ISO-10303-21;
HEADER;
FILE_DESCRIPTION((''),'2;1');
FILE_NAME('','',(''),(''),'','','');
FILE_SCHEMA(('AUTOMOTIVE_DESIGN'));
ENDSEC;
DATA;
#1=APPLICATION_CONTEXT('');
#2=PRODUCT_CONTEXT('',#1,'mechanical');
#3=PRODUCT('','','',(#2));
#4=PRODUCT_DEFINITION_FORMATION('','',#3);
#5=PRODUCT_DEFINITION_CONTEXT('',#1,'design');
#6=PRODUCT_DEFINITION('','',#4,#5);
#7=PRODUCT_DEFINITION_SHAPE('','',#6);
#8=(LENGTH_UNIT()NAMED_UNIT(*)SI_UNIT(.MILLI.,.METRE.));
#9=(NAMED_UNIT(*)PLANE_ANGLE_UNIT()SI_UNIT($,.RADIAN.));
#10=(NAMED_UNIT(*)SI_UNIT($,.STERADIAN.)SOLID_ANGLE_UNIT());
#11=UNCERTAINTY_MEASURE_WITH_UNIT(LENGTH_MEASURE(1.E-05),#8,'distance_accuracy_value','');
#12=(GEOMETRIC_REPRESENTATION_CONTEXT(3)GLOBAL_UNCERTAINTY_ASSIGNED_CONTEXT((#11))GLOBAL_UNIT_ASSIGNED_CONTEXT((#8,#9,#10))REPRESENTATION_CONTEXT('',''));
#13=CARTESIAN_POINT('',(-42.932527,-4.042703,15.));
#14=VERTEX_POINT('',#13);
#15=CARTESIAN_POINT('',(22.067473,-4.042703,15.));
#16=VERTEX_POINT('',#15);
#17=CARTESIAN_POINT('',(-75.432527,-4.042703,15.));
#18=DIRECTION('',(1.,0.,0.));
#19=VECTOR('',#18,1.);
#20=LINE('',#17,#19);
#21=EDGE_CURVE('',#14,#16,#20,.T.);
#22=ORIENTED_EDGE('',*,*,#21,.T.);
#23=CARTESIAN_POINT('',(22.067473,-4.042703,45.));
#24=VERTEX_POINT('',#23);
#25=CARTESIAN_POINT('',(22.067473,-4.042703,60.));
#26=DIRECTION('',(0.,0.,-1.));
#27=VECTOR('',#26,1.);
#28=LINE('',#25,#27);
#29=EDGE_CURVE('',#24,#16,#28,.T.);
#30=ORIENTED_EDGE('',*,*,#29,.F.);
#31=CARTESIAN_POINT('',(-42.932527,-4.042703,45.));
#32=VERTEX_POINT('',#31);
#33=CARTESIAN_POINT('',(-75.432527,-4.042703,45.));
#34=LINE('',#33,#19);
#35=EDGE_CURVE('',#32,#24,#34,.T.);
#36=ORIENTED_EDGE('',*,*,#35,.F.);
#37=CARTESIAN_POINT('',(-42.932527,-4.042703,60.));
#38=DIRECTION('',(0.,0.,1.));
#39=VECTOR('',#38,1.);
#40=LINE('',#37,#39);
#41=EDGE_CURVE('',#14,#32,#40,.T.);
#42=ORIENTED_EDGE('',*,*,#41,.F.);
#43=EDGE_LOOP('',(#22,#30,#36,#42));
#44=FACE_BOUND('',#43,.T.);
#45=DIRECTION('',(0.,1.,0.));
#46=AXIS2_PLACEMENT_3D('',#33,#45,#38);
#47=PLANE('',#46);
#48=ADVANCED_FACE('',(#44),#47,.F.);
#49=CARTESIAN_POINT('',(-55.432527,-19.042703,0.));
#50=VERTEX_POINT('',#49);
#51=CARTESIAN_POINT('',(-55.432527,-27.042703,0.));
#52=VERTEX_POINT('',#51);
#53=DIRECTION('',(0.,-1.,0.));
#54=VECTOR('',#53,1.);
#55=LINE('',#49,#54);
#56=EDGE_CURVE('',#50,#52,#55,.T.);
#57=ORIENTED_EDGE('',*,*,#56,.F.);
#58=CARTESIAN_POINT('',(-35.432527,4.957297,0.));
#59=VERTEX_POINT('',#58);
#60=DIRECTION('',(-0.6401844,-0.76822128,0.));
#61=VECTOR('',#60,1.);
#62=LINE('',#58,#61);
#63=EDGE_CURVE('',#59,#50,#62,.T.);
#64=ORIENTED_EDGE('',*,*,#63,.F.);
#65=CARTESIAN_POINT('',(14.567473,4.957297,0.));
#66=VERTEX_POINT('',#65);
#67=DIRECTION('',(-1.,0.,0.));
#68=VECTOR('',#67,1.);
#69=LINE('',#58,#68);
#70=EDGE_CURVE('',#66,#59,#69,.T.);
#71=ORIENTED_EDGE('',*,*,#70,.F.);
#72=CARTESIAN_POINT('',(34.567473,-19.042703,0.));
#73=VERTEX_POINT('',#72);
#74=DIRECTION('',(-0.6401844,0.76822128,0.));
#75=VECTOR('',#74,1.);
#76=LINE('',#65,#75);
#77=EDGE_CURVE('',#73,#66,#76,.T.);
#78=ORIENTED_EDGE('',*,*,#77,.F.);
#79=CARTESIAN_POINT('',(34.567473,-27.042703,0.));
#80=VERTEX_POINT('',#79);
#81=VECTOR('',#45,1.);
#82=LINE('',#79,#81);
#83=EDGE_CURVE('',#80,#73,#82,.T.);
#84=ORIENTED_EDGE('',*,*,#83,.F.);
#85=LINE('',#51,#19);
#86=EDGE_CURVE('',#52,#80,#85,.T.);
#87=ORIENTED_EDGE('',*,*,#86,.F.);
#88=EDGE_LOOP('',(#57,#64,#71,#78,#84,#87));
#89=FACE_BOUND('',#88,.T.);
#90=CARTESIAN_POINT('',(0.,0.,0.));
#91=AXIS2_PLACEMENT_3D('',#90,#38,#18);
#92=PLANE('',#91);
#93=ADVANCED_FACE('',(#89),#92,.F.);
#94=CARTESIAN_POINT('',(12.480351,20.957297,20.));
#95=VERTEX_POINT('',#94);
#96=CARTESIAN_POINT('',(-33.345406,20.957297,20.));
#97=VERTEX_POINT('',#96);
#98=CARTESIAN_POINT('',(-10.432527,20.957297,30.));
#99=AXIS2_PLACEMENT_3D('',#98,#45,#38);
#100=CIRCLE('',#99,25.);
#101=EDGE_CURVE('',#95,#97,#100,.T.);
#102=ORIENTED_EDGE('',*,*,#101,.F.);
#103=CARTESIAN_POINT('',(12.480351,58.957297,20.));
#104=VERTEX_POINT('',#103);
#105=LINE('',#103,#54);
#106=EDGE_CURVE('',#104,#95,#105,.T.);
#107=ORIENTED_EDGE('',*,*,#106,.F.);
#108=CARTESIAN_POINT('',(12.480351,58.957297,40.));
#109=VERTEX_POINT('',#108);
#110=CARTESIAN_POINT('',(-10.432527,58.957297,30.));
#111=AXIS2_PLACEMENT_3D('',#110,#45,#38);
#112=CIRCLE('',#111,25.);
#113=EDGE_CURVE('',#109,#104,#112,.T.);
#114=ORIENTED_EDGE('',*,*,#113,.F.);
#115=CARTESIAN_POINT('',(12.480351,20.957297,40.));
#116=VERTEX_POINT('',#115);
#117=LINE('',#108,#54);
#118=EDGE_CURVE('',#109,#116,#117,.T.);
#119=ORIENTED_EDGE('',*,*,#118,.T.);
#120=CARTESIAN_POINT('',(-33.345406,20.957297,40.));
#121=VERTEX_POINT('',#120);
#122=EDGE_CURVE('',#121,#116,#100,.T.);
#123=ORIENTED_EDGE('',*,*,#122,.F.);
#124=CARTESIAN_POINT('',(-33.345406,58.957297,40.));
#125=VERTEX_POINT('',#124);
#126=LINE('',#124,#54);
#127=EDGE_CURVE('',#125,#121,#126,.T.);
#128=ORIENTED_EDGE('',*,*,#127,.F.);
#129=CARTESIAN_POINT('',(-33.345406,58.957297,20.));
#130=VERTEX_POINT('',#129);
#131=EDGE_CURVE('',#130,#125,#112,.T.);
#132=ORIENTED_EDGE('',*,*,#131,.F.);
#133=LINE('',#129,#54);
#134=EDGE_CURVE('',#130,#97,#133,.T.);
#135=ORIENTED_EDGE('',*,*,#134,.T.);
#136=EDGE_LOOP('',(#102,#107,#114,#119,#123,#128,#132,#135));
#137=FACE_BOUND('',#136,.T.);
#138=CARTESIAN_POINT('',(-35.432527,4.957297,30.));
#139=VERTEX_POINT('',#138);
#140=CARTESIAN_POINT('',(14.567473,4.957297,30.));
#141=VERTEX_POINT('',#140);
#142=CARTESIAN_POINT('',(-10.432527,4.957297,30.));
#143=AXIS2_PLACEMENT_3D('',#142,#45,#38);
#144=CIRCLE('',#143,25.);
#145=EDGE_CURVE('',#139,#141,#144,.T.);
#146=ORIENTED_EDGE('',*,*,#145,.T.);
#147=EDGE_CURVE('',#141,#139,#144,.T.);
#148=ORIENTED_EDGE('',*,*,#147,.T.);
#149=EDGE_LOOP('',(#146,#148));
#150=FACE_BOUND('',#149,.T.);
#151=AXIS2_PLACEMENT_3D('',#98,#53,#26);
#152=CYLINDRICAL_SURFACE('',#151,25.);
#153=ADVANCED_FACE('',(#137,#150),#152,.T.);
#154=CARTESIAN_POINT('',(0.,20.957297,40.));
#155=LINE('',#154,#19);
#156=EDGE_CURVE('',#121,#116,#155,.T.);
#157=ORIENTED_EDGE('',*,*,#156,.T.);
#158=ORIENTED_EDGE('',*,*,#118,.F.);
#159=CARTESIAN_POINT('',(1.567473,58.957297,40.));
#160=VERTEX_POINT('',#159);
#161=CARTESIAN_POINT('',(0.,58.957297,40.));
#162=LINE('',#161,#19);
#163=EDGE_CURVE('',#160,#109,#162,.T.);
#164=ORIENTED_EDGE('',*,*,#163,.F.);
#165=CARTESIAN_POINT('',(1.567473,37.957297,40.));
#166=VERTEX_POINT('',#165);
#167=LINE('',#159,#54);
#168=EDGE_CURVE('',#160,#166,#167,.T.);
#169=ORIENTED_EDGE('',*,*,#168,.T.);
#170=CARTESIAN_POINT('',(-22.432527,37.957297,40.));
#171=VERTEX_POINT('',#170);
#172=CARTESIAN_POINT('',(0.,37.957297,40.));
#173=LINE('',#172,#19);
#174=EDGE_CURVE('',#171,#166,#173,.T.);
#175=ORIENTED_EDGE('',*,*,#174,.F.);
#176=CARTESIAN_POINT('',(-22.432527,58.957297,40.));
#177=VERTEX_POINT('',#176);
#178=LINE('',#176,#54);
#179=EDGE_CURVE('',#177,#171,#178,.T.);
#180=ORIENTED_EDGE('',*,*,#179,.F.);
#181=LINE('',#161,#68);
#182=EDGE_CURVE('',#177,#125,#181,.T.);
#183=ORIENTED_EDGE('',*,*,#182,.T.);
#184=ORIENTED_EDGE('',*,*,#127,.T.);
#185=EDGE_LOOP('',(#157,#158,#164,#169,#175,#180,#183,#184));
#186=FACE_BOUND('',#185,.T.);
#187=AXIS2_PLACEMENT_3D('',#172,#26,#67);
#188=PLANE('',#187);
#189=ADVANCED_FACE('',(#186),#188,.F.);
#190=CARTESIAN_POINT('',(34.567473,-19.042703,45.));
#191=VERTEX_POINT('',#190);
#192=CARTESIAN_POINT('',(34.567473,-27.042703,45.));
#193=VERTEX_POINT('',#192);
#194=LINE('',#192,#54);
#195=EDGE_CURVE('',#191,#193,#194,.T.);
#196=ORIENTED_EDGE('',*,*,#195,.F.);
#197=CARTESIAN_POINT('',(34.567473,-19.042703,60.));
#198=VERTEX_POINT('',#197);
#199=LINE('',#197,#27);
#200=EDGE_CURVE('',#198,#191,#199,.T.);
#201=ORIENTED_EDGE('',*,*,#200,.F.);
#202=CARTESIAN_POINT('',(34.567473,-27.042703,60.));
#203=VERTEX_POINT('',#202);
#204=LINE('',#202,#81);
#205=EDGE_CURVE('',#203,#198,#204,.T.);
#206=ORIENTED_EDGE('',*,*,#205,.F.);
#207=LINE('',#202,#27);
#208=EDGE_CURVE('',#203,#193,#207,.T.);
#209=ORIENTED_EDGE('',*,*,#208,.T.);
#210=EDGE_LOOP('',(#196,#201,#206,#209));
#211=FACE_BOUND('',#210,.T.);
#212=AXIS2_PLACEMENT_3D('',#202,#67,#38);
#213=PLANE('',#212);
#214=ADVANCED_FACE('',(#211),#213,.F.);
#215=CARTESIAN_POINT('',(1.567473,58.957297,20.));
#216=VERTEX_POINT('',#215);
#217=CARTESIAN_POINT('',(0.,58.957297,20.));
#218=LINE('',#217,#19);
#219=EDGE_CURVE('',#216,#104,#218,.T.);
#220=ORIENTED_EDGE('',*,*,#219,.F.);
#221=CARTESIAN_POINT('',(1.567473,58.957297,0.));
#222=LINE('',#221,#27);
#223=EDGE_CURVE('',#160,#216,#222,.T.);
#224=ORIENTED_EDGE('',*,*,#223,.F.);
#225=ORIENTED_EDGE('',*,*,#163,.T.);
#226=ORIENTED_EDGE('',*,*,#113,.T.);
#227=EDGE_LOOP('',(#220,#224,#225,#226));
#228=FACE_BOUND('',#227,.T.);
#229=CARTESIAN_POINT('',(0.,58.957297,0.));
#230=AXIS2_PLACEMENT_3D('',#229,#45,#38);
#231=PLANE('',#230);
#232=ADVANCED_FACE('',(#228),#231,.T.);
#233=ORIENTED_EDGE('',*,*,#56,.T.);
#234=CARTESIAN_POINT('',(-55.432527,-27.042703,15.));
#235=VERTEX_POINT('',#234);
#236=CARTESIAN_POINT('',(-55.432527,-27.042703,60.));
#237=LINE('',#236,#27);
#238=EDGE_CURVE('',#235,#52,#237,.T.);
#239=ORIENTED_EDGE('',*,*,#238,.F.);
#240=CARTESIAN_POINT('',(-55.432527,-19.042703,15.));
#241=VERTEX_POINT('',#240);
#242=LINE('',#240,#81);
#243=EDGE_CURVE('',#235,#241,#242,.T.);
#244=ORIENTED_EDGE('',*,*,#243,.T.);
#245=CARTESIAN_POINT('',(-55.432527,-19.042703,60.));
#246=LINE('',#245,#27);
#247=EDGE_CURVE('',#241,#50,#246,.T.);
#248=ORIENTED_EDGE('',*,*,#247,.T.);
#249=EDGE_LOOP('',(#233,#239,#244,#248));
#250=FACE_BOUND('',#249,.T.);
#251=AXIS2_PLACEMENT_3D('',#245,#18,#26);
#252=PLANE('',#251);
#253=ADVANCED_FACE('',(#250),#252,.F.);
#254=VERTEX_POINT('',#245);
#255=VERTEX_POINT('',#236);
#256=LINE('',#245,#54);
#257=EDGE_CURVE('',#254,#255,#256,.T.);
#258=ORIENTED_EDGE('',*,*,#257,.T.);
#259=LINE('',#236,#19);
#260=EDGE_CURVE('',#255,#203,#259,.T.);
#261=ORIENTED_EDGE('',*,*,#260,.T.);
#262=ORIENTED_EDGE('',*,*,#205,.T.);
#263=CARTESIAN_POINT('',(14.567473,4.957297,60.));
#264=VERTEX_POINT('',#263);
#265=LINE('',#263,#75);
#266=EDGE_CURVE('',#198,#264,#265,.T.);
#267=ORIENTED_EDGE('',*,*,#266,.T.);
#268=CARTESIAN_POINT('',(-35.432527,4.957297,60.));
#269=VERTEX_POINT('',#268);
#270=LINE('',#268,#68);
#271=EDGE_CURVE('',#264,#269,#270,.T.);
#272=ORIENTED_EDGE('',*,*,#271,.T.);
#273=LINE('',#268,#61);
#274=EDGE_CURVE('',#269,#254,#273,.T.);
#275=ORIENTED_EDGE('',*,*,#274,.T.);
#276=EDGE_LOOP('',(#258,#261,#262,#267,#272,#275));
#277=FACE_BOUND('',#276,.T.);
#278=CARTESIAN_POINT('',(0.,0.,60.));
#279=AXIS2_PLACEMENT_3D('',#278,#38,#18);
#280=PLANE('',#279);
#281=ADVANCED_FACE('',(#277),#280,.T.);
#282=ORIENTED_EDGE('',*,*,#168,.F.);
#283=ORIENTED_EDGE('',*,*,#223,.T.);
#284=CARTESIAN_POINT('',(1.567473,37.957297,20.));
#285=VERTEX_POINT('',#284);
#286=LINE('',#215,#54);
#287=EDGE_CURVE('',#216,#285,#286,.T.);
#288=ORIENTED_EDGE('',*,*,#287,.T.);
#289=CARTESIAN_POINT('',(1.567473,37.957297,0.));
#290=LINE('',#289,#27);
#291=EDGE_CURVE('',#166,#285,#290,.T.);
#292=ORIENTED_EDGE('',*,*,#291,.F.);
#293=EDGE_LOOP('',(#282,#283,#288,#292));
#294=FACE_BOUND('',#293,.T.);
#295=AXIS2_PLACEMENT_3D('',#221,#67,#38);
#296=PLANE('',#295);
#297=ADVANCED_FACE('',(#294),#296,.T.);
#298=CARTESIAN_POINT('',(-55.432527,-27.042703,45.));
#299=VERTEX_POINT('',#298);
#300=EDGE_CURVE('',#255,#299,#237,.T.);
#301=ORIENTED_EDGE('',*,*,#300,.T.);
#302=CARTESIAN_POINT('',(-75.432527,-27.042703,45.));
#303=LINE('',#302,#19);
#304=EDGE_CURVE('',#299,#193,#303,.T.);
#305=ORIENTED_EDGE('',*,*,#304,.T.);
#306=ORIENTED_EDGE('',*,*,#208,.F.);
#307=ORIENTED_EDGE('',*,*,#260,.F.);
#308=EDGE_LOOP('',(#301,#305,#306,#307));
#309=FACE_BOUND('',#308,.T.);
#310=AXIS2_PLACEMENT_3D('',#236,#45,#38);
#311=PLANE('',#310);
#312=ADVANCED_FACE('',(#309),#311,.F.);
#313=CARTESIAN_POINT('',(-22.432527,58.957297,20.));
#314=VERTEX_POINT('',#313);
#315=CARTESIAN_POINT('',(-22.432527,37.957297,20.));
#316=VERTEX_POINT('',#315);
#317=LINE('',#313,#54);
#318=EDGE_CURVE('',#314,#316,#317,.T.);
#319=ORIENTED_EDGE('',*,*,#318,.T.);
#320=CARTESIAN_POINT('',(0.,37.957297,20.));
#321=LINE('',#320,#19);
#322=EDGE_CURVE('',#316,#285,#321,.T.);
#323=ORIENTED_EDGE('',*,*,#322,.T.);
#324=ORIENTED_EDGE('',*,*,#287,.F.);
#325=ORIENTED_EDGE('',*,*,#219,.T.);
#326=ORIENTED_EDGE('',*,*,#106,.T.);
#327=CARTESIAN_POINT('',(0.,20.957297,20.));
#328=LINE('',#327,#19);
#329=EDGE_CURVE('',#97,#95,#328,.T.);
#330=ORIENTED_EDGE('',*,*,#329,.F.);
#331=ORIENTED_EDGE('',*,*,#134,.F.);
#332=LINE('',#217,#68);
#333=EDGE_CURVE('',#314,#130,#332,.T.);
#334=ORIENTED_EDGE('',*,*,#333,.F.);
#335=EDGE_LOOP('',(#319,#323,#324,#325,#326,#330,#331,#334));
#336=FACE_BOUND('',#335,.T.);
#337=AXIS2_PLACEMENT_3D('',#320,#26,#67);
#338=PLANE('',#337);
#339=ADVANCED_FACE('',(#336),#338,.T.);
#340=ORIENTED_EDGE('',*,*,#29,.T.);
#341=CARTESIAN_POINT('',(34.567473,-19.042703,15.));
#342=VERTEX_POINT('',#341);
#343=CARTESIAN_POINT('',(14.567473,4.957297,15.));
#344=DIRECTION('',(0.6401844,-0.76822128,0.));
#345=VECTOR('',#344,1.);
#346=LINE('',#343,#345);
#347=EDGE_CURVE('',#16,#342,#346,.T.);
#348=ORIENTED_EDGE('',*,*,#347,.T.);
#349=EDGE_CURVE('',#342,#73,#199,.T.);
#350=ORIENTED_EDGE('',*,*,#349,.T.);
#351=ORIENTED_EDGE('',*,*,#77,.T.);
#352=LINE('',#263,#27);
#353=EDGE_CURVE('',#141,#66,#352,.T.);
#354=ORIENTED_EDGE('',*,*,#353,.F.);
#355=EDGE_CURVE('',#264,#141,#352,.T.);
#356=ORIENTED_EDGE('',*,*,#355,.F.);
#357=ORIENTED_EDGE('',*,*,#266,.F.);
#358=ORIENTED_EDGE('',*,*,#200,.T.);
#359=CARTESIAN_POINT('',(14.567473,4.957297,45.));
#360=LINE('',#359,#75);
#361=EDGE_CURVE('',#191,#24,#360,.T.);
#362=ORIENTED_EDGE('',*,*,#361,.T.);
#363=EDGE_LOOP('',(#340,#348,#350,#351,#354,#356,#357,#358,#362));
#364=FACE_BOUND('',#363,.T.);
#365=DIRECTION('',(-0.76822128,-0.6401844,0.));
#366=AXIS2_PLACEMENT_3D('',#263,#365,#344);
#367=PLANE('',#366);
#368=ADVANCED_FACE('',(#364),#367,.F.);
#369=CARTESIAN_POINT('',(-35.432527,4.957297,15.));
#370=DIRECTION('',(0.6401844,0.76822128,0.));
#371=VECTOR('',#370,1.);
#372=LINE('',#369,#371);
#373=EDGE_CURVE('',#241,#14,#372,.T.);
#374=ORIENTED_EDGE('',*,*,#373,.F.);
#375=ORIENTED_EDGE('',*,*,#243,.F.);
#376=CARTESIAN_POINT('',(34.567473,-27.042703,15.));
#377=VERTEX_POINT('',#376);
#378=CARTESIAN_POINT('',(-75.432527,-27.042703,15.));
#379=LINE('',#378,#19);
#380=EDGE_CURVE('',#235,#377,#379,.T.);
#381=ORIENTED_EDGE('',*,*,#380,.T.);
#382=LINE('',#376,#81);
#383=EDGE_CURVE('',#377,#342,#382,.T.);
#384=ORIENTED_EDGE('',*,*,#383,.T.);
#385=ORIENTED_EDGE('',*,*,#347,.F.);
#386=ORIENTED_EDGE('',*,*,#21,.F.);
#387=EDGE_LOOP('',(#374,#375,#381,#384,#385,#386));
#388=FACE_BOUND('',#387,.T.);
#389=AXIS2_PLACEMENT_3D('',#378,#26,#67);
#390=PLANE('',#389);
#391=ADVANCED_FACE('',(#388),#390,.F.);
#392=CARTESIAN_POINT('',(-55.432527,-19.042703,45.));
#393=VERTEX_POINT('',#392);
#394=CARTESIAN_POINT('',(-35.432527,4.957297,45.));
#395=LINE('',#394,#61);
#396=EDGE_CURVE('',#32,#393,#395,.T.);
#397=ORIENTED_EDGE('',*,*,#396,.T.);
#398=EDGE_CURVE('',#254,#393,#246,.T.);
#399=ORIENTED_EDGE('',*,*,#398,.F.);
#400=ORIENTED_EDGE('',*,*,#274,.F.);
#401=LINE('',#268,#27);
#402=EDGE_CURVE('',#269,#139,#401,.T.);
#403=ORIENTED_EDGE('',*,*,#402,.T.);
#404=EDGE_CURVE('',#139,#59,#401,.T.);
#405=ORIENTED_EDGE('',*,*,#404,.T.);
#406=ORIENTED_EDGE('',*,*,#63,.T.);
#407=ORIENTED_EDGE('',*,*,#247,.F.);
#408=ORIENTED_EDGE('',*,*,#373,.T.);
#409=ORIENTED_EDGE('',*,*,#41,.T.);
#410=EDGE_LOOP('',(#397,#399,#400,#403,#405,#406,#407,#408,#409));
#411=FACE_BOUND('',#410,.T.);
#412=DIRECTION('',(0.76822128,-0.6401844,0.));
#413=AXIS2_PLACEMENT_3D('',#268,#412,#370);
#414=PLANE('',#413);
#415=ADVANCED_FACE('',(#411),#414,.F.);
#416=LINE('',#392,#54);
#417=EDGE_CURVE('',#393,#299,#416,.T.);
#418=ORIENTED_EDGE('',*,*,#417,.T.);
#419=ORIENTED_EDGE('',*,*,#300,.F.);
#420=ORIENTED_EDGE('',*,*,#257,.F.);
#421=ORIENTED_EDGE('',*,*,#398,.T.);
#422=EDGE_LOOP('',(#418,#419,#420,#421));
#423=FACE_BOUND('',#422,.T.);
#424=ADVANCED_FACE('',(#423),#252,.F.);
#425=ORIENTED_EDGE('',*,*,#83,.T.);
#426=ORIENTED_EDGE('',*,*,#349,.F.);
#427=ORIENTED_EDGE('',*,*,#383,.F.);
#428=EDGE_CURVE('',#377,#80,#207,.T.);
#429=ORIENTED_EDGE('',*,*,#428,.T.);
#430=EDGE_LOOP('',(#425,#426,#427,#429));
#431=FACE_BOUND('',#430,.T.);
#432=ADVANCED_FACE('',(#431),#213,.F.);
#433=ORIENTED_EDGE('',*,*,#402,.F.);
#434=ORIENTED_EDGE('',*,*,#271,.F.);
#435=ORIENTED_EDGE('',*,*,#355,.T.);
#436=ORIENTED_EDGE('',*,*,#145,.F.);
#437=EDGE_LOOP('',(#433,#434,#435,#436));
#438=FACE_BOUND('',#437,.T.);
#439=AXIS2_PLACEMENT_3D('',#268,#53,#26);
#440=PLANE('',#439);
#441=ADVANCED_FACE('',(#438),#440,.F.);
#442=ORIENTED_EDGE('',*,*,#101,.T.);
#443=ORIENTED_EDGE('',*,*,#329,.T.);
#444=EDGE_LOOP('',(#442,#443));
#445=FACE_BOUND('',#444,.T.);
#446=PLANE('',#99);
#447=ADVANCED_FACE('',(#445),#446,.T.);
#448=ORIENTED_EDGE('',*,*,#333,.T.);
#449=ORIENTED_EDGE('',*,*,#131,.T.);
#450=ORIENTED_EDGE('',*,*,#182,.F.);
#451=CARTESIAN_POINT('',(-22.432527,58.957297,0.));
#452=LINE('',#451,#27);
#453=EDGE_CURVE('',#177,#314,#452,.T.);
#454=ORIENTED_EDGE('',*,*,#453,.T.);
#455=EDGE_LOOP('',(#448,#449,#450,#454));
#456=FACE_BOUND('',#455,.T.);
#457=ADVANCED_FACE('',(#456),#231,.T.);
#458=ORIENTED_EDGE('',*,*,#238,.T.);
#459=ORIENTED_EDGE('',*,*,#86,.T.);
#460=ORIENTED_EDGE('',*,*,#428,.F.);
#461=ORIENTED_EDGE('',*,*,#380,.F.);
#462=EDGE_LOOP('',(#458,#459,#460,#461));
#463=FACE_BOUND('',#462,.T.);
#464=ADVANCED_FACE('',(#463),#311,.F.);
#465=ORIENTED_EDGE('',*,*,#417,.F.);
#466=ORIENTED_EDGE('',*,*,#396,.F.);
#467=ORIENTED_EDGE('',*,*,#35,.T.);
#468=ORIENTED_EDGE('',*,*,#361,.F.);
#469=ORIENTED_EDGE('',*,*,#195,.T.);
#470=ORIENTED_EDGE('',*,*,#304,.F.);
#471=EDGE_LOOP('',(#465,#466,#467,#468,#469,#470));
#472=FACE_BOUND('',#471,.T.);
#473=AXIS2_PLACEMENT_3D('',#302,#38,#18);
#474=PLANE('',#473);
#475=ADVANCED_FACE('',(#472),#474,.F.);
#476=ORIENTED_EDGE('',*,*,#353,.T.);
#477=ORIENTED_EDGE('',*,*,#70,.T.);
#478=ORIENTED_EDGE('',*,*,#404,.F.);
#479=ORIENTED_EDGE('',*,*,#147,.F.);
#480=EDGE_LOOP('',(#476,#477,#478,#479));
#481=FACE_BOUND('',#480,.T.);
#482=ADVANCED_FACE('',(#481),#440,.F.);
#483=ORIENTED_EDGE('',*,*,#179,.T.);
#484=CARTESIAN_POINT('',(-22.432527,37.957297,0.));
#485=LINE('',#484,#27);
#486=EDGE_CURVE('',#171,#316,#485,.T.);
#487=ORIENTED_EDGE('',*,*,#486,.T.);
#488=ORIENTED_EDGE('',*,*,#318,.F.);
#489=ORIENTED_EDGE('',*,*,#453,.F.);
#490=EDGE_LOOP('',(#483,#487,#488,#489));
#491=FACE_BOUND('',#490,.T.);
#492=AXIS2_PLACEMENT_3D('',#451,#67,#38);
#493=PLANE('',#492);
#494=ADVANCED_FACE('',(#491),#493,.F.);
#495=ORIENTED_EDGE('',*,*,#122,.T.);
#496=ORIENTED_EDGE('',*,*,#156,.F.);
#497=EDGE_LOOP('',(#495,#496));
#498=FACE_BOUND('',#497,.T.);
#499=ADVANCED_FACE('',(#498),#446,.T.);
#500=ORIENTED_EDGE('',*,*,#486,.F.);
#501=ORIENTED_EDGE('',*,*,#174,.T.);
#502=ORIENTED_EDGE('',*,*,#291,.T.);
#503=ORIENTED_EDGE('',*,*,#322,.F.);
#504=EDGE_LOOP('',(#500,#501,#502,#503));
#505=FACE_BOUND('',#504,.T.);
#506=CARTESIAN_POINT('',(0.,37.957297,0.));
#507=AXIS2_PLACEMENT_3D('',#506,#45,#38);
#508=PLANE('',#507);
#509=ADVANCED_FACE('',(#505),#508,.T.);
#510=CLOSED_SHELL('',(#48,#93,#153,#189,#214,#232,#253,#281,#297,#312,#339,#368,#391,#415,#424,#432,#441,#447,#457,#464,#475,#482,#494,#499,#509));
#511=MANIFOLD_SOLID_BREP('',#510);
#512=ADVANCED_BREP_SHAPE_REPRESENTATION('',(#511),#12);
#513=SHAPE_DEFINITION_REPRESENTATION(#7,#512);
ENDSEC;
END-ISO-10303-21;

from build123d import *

# Parameters (mm, degrees)
BOSS_EXTRUDE1_DEPTH = 60
SKETCH2_R           = 25
BOSS_EXTRUDE2_DEPTH = 16
BOSS_EXTRUDE4_DEPTH = 17
BOSS_EXTRUDE5_DEPTH = 38
SKETCH4_W           = 30
SKETCH4_H           = 23
CUT_EXTRUDE1_DEPTH  = 110


with BuildPart() as part:
    # Sketch1 → Boss-Extrude1 (new body)
    with BuildSketch(Plane.XY):
        Polygon((-55.432527154, -19.042703446), (-55.432527154, -27.042703446), (34.567472846, -27.042703446), (34.567472846, -19.042703446), (14.567472846, 4.957296554), (-35.432527154, 4.957296554), align=None)
    extrude(amount=BOSS_EXTRUDE1_DEPTH)

    # Sketch2 → Boss-Extrude2 (add)
    with BuildSketch(Plane(origin=(0, 4.957296554, 0), x_dir=(1, 0, 0), z_dir=(0, 1, 0))):
        with Locations((-10.432527154, -30)):
            Circle(SKETCH2_R)
    extrude(amount=BOSS_EXTRUDE2_DEPTH)

    # Sketch3 → Boss-Extrude4 (add)
    with BuildSketch(Plane(origin=(0, 20.957296554, 0), x_dir=(1, 0, 0), z_dir=(0, 1, 0))):
        Polygon((1.567472846, -20), (-10.432527154, -20), (-22.432527154, -20), (-22.432527154, -40), (-10.432527154, -40), (1.567472846, -40), align=None)
    extrude(amount=BOSS_EXTRUDE4_DEPTH)

    # Sketch3<4> → Boss-Extrude5 (add)
    with BuildSketch(Plane(origin=(0, 20.957296554, 0), x_dir=(1, 0, 0), z_dir=(0, 1, 0))):
        with BuildLine():
            Line((-22.432527154, -40), (-22.432527154, -20))
            Line((-22.432527154, -20), (-33.345405628, -20))
            ThreePointArc((-33.345405628, -20), (-35.432527154, -30), (-33.345405628, -40))
            Line((-33.345405628, -40), (-22.432527154, -40))
        make_face()
        with BuildLine():
            Line((12.480351321, -20), (1.567472846, -20))
            Line((1.567472846, -20), (1.567472846, -40))
            Line((1.567472846, -40), (12.480351321, -40))
            ThreePointArc((12.480351321, -40), (14.567472846, -30), (12.480351321, -20))
        make_face()
    extrude(amount=BOSS_EXTRUDE5_DEPTH)

    # Sketch4 → Cut-Extrude1 (cut)
    with BuildSketch(Plane(origin=(34.567472846, 0, 0), x_dir=(0, 0, -1), z_dir=(1, 0, 0))):
        with Locations((-30, -15.542703446)):
            Rectangle(SKETCH4_W, SKETCH4_H)
    extrude(amount=-CUT_EXTRUDE1_DEPTH, mode=Mode.SUBTRACT)


solid = part.part
